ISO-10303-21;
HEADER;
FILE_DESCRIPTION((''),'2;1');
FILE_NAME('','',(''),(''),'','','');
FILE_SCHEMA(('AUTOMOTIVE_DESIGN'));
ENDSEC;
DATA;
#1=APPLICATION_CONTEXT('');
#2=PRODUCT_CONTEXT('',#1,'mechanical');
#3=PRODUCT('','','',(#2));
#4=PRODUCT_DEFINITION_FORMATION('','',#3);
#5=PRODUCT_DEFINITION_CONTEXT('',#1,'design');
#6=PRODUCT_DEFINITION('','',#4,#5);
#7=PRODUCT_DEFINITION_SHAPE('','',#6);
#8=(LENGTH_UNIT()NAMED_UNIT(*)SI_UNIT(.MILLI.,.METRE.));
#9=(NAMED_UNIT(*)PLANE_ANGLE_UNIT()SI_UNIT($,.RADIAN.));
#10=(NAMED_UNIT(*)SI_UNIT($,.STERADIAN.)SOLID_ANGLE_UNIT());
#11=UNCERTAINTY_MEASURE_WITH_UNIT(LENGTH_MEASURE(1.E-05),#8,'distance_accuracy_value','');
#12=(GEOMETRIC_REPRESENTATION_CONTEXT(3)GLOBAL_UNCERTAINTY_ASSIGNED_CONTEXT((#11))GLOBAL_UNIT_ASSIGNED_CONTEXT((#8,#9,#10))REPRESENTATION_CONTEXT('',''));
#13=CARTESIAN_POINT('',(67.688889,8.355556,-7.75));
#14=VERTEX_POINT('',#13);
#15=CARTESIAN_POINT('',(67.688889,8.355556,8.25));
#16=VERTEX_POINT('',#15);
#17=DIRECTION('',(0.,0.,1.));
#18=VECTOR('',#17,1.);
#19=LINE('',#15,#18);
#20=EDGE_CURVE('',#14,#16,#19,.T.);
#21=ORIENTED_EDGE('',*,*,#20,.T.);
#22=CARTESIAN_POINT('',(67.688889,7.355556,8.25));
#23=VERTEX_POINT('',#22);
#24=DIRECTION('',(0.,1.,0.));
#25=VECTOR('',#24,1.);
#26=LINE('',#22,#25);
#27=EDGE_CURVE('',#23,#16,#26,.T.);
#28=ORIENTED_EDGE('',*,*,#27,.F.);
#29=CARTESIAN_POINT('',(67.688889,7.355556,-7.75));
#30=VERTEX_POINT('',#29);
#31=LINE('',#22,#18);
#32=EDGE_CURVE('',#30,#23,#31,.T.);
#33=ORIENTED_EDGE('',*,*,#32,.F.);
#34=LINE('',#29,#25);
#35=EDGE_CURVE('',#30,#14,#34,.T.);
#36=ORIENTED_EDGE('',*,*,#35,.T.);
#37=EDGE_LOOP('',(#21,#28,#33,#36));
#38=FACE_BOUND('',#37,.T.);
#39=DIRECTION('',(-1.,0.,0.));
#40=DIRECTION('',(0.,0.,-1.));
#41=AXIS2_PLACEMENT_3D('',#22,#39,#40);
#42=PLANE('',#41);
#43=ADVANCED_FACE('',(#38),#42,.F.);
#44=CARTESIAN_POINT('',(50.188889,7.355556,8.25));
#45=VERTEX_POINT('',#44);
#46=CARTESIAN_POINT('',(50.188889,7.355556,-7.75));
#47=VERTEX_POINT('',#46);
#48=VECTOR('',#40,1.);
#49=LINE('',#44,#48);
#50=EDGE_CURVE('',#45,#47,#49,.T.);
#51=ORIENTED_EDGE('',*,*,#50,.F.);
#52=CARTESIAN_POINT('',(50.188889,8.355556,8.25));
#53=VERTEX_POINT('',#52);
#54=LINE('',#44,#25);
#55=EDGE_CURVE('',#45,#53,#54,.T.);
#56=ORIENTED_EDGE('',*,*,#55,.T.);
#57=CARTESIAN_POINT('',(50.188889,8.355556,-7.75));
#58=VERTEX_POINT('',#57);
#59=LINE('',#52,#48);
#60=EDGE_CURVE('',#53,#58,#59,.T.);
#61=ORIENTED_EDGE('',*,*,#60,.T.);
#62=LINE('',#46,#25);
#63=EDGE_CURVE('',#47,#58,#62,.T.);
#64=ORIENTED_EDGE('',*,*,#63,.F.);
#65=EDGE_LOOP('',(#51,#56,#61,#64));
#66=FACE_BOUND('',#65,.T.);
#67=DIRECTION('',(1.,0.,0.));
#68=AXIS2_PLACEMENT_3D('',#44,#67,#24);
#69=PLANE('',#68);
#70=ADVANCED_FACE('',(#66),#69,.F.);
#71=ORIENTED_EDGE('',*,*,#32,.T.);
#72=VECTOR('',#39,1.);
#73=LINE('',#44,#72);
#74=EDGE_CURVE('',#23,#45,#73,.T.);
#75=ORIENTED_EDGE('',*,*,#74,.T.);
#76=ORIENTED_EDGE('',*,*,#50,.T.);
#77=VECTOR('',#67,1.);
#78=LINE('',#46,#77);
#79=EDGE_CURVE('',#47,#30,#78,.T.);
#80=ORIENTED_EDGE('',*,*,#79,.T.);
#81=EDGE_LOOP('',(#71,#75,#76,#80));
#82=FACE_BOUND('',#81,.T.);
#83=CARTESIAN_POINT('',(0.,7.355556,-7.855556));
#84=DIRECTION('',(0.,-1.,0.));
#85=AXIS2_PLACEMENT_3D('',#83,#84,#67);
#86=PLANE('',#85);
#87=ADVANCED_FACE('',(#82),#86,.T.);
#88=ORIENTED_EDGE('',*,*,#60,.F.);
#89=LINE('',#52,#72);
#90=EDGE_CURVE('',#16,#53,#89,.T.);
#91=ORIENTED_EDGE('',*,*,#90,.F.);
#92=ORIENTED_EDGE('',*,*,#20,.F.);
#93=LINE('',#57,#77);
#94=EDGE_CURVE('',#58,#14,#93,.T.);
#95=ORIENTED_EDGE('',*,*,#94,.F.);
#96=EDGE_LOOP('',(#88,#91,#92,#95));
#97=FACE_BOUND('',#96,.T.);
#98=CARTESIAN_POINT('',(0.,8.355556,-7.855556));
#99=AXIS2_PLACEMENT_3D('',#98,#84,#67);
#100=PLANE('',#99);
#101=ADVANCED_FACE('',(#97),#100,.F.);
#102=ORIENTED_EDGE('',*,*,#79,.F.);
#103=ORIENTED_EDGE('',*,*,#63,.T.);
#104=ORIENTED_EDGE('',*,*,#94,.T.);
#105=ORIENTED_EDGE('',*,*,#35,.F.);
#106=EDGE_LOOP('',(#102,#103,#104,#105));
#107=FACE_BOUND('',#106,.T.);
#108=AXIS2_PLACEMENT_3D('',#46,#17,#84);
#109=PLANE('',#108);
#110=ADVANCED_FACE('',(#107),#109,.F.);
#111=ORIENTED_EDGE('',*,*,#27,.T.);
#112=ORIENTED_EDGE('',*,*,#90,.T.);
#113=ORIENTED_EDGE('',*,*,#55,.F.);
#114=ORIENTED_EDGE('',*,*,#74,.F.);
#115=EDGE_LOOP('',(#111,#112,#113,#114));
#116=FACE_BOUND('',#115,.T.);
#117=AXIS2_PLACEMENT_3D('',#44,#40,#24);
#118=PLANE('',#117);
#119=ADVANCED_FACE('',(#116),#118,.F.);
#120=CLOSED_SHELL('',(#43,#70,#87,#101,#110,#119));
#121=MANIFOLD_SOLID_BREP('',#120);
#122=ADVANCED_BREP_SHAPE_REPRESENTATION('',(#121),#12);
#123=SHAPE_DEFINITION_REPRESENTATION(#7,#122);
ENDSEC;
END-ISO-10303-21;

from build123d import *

# Parameters (mm, degrees)
SKETCH1_W             = 17.5
SKETCH1_H             = 16
BOSS_EXTRUDE1_DEPTH   = 1
BODY_MOVE_COPY1_ANGLE = 90


with BuildPart() as part:
    # Sketch1 → Boss-Extrude1 (new body)
    with BuildSketch(Plane.XY):
        with Locations((58.938888889, 8.105555556)):
            Rectangle(SKETCH1_W, SKETCH1_H)
    extrude(amount=BOSS_EXTRUDE1_DEPTH)


with BuildPart() as part_1:
    # Body-Move/Copy1: moved
    add(part.part.rotate(Axis((0, 8.105555556, 0.25), (1, 0, 0)), BODY_MOVE_COPY1_ANGLE))


solid = part_1.part
